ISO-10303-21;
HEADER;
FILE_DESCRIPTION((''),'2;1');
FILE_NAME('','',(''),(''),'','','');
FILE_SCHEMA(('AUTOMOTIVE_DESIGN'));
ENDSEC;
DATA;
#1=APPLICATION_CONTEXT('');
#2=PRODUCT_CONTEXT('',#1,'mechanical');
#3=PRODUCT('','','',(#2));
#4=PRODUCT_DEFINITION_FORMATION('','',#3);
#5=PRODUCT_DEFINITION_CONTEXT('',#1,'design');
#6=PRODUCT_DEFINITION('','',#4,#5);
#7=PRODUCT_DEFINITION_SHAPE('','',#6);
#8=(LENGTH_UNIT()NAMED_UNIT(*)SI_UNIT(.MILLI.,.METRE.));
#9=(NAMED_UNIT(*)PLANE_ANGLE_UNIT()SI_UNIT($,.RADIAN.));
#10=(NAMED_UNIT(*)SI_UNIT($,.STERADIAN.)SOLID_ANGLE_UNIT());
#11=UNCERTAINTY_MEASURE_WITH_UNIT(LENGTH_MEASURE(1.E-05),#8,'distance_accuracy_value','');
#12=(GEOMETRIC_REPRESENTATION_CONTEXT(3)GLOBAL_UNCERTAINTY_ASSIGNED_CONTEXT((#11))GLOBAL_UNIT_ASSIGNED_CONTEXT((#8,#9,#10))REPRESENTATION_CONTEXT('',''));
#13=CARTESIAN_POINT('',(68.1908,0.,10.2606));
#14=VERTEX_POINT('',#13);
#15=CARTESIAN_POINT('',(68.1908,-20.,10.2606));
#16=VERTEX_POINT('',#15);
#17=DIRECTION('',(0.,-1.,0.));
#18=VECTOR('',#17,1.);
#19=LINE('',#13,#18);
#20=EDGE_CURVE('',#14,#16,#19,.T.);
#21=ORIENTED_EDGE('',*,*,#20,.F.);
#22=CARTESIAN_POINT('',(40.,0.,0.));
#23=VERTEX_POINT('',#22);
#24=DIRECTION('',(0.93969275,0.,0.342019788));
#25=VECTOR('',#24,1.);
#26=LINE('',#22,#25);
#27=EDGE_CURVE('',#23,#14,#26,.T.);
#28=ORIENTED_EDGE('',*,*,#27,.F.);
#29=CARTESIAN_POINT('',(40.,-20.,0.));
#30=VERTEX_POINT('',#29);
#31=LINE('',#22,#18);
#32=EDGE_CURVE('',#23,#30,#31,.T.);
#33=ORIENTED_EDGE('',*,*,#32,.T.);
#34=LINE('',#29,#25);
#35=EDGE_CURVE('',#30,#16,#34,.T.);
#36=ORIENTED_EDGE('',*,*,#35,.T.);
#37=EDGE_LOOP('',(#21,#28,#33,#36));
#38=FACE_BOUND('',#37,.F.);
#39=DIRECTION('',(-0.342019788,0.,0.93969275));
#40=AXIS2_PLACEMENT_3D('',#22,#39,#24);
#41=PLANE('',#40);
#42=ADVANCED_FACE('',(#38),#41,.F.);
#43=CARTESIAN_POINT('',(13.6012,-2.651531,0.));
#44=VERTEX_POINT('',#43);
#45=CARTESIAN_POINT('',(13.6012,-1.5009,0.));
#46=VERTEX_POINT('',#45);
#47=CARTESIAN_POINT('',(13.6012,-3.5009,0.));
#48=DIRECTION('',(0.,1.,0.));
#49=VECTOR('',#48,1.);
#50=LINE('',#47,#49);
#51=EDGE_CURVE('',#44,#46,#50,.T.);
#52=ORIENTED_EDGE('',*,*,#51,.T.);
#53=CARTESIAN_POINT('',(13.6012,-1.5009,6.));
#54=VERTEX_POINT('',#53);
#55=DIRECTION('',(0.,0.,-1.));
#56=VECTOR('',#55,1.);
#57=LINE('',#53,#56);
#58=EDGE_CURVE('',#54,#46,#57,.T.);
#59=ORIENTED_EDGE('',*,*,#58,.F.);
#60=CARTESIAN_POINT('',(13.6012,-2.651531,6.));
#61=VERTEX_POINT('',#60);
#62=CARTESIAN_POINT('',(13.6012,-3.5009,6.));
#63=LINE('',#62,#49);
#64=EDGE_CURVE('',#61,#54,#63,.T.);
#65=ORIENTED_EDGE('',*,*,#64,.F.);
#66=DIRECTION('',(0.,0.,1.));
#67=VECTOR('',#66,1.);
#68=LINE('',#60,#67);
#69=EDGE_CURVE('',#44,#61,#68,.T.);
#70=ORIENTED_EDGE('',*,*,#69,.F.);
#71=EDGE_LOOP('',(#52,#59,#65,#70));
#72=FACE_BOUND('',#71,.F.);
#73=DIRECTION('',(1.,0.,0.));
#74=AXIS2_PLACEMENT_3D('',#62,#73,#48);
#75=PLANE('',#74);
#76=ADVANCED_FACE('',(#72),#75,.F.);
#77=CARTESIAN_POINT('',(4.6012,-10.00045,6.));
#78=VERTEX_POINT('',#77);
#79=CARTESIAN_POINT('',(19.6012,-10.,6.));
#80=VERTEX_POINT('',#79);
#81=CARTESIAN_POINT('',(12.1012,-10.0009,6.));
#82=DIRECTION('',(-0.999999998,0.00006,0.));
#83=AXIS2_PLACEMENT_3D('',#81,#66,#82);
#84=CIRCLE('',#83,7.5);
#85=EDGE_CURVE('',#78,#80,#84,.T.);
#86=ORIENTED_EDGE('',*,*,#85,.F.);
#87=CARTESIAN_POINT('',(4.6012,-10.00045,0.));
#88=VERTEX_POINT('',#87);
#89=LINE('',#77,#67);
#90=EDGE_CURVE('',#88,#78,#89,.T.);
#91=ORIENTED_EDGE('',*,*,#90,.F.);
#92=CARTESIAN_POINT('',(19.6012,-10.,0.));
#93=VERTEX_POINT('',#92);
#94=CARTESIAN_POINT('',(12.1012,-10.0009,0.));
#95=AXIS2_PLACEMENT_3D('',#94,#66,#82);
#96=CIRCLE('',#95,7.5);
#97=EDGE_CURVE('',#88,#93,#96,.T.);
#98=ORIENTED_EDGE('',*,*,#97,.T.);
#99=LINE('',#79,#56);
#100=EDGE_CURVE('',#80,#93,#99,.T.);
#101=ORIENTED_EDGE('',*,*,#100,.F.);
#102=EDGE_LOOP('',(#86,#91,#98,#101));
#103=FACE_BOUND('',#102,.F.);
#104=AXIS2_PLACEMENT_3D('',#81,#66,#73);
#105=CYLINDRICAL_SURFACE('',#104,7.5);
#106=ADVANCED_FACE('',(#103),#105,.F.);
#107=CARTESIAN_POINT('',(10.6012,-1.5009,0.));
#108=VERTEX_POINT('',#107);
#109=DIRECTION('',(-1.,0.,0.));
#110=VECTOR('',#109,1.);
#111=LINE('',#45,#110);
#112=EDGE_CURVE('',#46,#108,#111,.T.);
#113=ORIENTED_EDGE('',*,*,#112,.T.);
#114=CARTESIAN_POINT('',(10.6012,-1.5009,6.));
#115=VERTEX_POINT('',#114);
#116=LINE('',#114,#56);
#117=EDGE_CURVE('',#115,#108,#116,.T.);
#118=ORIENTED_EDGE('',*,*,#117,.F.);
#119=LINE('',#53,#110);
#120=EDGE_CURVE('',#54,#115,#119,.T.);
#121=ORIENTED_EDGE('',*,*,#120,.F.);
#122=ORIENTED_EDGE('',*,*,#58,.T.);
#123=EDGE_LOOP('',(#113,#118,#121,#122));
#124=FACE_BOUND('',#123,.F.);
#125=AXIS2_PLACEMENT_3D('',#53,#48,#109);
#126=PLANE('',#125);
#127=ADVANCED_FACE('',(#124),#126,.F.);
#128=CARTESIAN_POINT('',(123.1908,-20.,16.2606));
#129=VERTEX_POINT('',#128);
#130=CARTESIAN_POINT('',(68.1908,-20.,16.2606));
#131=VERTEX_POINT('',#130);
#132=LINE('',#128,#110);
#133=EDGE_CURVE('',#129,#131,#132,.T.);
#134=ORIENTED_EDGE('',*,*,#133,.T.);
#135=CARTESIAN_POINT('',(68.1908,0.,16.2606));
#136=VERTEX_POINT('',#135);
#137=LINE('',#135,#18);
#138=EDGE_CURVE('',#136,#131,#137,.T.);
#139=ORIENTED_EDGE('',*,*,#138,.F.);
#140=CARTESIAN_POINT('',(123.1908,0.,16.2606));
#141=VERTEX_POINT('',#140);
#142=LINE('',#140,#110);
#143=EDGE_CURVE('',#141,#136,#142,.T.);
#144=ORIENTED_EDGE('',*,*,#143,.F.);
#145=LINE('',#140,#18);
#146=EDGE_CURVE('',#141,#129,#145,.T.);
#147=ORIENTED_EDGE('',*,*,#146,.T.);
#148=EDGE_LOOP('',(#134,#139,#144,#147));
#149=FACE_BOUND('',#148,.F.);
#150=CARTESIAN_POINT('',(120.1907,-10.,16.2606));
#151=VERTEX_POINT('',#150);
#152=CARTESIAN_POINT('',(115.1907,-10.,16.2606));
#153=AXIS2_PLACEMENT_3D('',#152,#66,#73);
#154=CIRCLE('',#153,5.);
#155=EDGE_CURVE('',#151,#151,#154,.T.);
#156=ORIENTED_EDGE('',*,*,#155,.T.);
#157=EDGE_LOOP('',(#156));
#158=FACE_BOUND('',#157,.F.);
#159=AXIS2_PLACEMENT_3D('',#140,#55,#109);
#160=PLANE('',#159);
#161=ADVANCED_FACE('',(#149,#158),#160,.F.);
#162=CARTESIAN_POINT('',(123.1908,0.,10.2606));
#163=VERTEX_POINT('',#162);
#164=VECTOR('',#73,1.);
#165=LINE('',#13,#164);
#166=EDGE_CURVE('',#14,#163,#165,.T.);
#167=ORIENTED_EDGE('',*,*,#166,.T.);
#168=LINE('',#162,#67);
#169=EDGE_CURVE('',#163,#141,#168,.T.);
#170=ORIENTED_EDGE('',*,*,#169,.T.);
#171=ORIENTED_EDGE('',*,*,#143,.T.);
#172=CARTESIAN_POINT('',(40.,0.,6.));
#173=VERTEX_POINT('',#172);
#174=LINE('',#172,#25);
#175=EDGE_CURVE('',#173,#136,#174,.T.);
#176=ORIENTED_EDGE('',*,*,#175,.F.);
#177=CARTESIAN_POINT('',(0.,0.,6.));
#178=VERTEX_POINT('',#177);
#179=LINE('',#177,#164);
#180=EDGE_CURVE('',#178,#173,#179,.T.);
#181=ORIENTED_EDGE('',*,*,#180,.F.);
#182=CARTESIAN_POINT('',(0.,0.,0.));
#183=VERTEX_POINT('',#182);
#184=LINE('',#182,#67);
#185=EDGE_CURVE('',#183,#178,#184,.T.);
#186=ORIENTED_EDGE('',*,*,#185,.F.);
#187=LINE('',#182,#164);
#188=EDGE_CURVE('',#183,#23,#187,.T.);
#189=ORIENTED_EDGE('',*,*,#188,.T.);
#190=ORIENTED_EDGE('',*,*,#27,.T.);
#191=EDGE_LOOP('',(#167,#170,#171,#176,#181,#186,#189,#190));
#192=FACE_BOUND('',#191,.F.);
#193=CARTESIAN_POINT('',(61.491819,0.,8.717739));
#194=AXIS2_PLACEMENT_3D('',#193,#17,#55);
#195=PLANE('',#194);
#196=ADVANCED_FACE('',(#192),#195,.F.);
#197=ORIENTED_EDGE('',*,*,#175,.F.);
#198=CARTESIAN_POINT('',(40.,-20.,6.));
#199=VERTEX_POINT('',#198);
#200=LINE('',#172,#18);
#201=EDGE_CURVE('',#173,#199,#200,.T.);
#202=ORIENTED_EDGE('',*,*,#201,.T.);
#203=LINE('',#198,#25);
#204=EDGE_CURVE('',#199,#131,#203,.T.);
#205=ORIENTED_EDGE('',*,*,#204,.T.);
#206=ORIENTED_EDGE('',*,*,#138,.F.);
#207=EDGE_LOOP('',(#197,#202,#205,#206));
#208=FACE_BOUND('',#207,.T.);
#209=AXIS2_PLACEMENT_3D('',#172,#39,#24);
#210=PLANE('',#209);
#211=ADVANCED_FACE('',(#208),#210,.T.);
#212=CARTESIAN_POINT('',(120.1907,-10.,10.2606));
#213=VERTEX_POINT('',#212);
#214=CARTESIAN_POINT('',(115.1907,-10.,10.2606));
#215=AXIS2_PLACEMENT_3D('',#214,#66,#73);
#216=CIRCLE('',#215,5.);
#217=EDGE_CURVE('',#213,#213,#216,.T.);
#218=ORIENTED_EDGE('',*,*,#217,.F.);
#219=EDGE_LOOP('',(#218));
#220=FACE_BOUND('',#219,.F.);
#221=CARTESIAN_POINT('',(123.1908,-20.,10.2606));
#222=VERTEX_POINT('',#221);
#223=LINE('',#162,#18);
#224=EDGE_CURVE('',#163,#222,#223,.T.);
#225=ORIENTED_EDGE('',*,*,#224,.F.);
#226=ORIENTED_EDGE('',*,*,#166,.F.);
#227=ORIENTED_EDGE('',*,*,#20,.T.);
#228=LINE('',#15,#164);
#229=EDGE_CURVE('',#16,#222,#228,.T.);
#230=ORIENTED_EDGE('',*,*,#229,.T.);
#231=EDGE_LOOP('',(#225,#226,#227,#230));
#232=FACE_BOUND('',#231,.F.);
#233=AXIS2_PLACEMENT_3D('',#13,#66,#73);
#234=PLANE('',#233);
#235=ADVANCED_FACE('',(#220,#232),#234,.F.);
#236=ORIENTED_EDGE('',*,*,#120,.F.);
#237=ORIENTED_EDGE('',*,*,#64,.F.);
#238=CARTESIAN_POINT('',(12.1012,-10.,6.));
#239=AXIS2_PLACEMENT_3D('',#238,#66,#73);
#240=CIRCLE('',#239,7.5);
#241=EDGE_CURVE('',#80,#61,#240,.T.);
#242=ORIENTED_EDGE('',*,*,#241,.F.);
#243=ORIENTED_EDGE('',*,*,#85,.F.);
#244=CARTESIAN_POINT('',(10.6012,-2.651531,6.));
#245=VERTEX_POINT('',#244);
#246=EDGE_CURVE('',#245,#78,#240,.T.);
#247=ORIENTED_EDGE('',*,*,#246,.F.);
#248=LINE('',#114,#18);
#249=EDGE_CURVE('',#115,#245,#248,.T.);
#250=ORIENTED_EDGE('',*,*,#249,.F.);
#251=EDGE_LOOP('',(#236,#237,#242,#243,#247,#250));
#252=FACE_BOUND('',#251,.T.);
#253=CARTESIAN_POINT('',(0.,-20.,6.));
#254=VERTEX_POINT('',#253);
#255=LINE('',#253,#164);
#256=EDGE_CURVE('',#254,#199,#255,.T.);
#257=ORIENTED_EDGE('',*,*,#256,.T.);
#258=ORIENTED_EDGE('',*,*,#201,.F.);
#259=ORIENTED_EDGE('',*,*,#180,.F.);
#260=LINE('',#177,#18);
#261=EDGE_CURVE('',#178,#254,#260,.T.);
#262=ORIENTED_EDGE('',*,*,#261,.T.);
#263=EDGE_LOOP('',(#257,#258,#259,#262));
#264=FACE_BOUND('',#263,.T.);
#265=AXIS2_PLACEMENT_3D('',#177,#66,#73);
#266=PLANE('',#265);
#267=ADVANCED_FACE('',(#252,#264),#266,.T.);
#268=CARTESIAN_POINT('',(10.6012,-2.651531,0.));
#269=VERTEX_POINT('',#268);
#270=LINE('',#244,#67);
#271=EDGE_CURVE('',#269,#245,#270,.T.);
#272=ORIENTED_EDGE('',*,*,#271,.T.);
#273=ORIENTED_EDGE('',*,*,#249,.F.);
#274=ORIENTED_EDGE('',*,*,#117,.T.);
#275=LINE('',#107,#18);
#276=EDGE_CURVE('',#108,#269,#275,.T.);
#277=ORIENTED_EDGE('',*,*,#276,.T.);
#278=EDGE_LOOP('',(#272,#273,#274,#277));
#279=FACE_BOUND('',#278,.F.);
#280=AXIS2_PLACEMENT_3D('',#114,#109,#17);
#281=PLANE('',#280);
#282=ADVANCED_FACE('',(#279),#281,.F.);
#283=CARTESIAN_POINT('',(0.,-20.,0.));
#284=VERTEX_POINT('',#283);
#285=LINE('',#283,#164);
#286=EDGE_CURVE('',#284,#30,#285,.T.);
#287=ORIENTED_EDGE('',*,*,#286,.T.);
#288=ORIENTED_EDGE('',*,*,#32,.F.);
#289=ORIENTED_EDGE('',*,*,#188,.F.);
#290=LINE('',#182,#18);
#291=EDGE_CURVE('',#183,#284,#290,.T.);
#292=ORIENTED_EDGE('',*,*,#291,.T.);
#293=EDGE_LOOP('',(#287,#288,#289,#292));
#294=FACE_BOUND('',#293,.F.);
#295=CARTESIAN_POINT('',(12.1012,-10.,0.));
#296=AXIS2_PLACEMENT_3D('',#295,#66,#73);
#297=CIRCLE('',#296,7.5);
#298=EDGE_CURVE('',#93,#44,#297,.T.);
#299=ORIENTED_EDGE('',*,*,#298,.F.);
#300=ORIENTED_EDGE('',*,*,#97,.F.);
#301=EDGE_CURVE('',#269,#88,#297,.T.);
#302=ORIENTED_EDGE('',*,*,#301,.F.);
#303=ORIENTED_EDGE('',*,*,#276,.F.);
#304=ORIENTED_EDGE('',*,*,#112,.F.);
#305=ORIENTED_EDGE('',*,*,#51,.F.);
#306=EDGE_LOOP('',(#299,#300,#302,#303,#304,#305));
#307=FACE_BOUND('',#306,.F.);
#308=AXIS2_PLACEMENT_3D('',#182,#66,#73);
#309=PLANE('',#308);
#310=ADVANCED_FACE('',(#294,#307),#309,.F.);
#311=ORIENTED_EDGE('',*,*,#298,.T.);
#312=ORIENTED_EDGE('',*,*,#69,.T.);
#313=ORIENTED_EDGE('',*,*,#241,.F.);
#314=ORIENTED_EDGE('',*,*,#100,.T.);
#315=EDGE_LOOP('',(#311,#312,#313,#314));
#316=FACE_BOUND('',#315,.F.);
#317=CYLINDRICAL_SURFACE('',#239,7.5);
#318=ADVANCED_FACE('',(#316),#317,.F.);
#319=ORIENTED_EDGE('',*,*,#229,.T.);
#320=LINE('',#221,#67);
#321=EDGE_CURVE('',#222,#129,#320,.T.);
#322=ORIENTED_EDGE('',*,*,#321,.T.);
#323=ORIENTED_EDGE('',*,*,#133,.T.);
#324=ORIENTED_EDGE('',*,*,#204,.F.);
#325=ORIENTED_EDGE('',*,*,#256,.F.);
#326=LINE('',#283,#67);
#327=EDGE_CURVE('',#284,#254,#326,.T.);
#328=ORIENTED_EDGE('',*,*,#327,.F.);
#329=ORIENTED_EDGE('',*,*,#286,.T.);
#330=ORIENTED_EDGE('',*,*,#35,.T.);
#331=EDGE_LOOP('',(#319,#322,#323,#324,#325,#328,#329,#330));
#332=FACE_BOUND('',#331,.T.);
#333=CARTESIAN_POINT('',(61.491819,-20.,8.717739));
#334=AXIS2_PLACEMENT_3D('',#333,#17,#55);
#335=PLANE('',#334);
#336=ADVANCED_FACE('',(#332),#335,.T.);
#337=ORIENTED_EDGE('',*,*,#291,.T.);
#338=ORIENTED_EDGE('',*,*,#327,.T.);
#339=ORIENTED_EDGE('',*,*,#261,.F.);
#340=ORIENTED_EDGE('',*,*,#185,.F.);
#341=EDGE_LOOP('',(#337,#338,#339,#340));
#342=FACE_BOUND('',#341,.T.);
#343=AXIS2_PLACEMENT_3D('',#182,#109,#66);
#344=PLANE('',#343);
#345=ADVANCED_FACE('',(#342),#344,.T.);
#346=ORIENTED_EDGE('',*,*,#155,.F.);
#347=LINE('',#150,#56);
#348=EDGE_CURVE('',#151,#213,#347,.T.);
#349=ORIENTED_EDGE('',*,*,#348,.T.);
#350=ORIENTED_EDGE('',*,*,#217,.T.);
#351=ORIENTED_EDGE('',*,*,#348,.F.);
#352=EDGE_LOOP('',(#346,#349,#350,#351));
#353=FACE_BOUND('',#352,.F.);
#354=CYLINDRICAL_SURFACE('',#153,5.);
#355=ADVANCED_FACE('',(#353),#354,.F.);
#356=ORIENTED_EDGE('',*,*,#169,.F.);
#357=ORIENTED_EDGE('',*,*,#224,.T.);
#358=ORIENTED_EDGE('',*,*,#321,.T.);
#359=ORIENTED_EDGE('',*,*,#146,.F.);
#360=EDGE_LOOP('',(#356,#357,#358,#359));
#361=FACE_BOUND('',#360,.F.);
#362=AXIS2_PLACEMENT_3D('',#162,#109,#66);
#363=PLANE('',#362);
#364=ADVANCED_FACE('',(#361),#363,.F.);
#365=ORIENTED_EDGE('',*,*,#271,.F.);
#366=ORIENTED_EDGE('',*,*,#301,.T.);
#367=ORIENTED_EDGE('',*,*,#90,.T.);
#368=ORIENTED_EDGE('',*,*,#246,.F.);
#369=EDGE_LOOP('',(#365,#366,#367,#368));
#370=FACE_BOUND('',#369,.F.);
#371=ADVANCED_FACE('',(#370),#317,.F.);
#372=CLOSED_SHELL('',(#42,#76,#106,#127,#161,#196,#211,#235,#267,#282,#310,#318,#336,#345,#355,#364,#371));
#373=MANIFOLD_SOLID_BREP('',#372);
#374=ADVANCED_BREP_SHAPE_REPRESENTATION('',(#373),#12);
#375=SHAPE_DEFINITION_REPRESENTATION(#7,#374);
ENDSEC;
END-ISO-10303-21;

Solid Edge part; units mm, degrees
sketch "Sketch1" plane through (0, 0, 0) normal (0, -1, 0) x (1, 0, 0)
  line L0 (0, 0) -> (40, 0)
  line L1 (40, 0) -> (68.1908, 10.2606)
  line L2 (68.1908, 10.2606) -> (123.1908, 10.2606)
  line L3 (123.1908, 10.2606) -> (123.1908, 16.2606)
  line L4 (123.1908, 16.2606) -> (68.1908, 16.2606)
  line L5 (40, 6) -> (68.1908, 16.2606)
  line L6 (0, 6) -> (40, 6)
  line L7 (0, 0) -> (0, 6)
  dimension "D1" = 40
  dimension "D2" = 6
  dimension "D3" = 55
  dimension "D4" = 30
  dimension "D5" = 6
  dimension "D6" = 40
extrude "Protrusion1" add sketch "Sketch1" along normal blind 20
sketch "Sketch2" plane through (182.9846, -10, 16.2606) normal (0, 0, 1) x (1, 0, 0)
  circle A0 centre (-67.7939, 0) radius 5
  dimension "D1" = 10
  dimension "D2" = 8
extrude "Cutout1" cut sketch "Sketch2" against normal up to surface (6 mm away)
sketch "Sketch3" plane through (43, -10, 6) normal (0, 0, 1) x (1, 0, 0)
  circle A0 centre (-30.8988, 0) radius 0.4991
  circle A1 centre (-30.8988, -0.0009) radius 7.5
  line L0 (-29.3988, 8.4991) -> (-32.3988, 8.4991)
  line L1 (-32.3988, 8.4991) -> (-32.3988, 6.4991)
  line L2 (-32.3988, 6.4991) -> (-29.3988, 6.4991)
  line L3 (-29.3988, 6.4991) -> (-29.3988, 8.4991)
  circle A2 centre (-30.8988, 0) radius 7.5
  dimension "D1" = 6.5
  dimension "D2" = 2
  dimension "D3" = 3
extrude "Cutout2" cut sketch "Sketch3" against normal up to surface (6 mm away)
